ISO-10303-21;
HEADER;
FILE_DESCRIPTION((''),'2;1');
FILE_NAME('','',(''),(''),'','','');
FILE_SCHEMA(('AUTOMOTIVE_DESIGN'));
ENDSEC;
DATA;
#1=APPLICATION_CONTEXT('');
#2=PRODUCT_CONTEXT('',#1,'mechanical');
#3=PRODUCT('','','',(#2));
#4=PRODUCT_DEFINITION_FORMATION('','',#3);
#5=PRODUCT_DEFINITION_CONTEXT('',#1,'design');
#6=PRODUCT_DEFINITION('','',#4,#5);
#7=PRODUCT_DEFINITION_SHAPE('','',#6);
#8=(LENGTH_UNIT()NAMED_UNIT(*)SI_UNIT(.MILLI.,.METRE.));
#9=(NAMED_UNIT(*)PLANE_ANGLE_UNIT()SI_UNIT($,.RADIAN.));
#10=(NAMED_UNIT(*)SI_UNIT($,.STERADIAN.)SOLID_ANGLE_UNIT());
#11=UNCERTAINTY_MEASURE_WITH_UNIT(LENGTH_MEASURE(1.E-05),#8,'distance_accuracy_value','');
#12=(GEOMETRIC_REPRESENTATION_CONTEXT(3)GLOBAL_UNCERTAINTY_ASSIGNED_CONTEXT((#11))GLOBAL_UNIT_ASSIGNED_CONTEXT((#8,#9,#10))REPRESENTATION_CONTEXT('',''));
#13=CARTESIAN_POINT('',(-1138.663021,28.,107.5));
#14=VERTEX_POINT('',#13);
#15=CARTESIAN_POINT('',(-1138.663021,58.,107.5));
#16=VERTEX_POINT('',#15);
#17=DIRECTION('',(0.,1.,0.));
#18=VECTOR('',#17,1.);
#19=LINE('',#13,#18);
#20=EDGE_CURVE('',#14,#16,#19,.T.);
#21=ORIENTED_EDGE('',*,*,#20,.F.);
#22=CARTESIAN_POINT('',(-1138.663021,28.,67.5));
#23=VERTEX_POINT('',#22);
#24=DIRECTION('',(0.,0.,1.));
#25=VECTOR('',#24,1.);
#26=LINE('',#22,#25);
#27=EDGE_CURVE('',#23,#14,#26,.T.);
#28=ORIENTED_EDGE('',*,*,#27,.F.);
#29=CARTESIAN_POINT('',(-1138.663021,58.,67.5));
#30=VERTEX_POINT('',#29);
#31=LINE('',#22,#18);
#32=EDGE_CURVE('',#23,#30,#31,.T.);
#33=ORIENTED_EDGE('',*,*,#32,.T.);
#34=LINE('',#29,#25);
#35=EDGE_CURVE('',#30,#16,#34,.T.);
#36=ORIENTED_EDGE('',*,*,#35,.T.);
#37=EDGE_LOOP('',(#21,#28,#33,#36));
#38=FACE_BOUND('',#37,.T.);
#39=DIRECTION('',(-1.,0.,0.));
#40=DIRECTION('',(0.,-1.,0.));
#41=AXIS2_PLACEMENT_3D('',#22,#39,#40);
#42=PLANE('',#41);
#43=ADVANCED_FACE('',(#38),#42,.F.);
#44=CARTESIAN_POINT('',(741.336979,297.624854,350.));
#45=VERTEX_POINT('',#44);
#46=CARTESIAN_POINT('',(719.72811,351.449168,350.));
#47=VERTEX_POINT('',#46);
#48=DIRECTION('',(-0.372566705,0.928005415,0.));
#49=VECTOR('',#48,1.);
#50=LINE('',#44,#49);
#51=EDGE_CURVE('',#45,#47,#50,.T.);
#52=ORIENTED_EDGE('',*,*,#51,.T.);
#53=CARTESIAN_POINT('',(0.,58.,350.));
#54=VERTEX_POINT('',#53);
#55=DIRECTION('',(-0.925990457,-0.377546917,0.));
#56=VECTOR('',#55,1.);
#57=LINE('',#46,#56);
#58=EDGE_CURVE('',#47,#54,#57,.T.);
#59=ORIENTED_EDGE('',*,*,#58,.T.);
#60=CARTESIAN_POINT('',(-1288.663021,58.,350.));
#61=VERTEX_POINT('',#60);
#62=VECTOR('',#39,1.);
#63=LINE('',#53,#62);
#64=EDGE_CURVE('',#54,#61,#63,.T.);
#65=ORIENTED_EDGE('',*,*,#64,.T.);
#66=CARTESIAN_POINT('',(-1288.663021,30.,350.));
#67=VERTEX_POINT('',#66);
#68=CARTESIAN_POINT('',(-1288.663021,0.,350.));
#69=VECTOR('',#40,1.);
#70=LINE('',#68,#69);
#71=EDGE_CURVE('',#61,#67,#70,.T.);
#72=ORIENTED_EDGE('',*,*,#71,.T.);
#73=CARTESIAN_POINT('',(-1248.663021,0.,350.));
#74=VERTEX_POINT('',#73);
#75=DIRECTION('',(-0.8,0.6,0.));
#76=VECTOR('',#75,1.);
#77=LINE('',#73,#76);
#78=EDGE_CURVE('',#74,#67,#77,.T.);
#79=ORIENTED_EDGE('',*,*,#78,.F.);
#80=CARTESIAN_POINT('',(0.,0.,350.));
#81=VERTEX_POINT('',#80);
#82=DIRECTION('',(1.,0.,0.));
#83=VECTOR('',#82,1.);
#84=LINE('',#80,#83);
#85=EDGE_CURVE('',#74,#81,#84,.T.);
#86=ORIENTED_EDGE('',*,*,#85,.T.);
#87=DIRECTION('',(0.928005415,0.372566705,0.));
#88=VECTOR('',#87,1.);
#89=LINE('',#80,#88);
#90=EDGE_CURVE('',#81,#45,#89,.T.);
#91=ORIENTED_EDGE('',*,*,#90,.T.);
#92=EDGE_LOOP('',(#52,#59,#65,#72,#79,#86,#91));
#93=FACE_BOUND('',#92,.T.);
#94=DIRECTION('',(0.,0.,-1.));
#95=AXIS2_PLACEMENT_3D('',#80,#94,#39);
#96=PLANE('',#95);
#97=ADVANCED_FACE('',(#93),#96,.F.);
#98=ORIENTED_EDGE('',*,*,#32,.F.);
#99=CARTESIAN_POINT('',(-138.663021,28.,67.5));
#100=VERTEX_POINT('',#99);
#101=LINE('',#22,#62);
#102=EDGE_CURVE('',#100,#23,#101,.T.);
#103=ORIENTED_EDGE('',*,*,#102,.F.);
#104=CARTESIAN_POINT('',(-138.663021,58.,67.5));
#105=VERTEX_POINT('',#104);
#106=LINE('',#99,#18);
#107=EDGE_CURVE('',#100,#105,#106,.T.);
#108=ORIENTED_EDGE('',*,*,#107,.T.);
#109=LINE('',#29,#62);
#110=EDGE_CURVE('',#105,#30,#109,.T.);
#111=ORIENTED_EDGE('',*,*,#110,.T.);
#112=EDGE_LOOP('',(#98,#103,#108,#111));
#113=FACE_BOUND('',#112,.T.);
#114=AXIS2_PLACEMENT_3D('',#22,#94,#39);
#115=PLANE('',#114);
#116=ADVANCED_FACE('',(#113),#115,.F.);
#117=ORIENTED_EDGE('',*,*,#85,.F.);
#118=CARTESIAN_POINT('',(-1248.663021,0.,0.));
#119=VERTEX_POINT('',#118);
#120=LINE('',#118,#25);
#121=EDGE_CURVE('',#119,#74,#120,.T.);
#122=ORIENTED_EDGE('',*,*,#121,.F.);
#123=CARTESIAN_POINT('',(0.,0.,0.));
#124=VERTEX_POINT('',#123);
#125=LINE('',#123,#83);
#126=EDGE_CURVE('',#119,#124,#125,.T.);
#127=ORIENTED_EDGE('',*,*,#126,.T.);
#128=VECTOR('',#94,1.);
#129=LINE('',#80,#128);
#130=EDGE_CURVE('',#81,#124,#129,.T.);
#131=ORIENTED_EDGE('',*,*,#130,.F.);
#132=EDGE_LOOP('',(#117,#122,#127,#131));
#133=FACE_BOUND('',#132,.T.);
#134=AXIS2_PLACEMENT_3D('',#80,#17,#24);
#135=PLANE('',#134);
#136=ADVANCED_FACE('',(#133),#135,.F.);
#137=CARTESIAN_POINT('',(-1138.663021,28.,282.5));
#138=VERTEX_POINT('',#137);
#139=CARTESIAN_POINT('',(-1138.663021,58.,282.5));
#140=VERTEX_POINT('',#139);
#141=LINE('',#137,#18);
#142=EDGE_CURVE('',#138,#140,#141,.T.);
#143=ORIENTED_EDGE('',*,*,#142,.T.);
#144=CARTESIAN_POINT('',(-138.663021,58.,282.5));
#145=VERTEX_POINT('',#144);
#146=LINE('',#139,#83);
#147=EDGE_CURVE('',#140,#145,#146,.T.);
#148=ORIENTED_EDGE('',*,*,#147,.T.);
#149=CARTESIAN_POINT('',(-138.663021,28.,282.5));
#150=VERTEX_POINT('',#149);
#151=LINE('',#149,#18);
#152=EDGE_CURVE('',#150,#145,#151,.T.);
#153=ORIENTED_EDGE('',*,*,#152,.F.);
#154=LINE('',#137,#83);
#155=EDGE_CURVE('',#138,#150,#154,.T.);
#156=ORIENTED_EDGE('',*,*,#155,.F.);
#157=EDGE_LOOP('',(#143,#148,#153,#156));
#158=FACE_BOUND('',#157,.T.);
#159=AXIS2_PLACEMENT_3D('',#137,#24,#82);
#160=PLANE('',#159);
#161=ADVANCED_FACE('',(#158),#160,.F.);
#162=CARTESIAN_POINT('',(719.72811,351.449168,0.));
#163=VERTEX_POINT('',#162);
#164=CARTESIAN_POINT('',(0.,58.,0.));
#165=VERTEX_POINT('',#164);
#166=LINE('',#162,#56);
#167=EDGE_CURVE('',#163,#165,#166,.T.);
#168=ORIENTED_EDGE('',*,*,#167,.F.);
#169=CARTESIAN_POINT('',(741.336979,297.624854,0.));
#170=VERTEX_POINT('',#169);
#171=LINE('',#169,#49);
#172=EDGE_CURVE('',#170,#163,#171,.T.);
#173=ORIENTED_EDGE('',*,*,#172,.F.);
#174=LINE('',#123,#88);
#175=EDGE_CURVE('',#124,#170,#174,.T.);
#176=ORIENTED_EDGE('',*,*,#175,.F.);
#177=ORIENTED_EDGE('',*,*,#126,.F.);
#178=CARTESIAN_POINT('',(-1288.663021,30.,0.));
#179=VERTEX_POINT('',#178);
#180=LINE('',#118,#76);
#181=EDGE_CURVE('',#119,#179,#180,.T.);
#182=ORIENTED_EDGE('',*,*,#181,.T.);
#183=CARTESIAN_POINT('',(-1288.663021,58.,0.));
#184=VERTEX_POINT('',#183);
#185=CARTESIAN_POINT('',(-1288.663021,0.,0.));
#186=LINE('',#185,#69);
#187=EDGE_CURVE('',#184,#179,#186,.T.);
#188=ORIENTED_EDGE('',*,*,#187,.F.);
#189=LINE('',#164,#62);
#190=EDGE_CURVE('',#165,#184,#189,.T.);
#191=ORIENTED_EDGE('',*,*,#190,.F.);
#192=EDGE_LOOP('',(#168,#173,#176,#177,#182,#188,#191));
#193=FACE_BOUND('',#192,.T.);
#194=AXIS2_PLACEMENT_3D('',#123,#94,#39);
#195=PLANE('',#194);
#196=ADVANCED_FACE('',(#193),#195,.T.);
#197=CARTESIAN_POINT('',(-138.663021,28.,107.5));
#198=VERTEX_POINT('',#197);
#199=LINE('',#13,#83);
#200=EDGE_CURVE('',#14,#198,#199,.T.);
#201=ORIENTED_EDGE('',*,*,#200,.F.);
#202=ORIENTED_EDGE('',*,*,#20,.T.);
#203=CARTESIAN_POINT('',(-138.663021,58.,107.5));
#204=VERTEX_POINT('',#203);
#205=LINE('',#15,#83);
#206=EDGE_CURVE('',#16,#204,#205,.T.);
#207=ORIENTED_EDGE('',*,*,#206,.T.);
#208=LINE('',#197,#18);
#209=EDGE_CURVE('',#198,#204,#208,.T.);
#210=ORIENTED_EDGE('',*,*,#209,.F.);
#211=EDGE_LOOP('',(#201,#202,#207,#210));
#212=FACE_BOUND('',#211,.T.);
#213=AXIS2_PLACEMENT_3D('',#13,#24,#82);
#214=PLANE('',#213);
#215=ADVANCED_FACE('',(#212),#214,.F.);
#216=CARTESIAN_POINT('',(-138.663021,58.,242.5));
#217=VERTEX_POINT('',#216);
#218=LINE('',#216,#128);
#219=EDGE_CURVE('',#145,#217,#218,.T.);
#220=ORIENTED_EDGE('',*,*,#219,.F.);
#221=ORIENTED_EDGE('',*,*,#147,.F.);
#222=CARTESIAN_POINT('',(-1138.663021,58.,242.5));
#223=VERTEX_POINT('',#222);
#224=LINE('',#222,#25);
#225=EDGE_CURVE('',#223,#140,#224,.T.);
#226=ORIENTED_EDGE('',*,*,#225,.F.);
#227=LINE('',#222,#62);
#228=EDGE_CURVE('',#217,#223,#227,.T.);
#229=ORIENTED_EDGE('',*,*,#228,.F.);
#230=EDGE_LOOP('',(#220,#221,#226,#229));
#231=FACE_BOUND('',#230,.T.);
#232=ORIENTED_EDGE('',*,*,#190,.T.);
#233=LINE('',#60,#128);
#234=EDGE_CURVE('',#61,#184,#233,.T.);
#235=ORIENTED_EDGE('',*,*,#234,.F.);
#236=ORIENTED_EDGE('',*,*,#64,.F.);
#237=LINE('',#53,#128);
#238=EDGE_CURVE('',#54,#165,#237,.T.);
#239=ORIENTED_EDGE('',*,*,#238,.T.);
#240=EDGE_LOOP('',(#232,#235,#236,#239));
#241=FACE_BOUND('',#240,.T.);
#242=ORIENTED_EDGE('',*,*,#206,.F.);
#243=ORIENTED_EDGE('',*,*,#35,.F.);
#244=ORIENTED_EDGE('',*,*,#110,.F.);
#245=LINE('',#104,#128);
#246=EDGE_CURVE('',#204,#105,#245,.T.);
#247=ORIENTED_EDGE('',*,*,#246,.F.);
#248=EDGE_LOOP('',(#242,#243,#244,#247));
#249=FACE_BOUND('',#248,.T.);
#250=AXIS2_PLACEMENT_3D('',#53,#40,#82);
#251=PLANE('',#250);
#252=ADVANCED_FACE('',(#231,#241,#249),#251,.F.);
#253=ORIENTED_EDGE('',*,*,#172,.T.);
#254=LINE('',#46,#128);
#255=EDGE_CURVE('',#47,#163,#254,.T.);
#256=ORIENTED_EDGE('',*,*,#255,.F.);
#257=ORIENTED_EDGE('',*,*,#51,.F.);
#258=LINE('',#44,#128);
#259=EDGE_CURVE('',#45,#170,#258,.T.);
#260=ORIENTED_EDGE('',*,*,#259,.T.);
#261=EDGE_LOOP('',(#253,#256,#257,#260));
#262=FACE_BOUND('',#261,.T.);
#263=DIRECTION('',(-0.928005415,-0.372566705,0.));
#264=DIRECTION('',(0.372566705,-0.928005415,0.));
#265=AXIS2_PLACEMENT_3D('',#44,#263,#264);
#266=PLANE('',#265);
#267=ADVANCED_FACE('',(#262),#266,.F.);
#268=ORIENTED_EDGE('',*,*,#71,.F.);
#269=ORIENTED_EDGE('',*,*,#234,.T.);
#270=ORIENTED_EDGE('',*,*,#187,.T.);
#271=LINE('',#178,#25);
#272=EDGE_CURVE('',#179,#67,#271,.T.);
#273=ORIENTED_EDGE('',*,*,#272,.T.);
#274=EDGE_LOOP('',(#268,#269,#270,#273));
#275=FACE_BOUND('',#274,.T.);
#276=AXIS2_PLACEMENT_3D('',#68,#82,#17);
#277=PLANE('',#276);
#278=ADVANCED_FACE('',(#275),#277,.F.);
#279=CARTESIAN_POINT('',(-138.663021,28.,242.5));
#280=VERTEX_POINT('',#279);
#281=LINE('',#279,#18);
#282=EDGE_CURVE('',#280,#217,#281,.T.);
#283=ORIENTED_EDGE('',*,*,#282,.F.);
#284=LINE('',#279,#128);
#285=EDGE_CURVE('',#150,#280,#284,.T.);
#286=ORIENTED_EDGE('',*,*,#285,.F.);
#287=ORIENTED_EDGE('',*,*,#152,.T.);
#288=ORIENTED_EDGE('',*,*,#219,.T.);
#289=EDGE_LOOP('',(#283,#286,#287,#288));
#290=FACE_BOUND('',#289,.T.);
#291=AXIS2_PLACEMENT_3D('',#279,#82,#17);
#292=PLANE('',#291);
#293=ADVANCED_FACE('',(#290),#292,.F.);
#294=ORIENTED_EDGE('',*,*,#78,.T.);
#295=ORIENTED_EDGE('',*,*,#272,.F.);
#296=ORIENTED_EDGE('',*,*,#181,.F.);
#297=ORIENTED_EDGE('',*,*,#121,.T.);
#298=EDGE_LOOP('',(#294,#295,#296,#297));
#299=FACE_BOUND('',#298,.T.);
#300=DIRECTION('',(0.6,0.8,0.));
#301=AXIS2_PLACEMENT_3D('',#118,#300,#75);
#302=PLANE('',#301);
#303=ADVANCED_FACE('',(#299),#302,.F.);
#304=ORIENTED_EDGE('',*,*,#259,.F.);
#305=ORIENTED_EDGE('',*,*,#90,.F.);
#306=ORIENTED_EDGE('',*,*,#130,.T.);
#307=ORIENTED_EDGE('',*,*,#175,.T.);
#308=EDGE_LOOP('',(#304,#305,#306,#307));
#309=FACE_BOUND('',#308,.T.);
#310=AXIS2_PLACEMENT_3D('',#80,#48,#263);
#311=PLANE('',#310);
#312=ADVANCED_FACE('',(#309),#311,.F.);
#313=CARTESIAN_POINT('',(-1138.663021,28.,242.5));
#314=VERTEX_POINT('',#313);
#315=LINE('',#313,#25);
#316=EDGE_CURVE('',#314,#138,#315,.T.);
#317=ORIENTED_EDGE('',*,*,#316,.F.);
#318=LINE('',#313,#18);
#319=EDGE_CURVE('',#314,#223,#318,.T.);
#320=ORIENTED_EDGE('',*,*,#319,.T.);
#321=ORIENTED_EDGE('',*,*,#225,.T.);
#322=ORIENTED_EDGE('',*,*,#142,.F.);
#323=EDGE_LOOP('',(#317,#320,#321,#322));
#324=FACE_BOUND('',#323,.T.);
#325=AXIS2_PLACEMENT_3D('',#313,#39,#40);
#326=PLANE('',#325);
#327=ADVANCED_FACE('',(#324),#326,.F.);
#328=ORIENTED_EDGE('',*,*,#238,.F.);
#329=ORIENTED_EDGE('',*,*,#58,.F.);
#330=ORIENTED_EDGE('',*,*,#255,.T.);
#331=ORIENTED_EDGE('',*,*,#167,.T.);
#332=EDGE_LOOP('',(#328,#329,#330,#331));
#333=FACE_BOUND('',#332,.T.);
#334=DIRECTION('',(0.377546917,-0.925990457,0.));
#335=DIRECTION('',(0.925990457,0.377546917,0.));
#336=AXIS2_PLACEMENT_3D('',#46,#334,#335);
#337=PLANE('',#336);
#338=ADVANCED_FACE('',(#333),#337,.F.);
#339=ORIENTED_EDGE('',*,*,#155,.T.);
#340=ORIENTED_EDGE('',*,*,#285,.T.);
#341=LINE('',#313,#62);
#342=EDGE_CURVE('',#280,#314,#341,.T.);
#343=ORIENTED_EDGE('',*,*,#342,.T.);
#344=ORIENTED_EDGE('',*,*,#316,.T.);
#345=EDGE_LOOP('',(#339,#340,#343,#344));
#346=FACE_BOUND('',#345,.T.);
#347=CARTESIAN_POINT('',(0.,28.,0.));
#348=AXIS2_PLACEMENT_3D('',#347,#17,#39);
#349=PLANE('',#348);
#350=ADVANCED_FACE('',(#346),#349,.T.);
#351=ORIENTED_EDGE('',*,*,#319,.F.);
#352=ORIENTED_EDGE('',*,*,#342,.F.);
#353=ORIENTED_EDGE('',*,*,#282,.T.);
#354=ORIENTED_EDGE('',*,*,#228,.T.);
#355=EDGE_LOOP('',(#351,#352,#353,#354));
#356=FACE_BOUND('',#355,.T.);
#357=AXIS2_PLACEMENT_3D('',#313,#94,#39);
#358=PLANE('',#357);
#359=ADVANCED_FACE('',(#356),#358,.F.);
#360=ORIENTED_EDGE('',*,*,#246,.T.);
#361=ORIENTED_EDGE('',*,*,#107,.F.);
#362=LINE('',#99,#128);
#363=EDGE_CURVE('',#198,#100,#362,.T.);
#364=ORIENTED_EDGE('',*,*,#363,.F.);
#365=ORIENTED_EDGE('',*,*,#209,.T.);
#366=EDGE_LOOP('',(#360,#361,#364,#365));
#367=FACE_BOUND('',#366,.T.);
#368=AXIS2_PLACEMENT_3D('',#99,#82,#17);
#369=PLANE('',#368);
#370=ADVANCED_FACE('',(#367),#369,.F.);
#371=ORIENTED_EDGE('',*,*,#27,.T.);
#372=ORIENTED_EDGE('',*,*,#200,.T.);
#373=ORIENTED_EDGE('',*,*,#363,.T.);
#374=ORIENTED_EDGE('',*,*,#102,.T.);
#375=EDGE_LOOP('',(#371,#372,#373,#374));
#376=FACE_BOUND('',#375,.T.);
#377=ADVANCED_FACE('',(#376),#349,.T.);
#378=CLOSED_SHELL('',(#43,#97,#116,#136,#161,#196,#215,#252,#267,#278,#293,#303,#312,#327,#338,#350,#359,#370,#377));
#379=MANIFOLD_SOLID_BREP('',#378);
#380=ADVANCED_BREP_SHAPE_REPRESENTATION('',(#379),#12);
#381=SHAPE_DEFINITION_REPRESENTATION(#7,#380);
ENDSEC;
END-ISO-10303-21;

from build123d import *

# Parameters (mm, degrees)
SALIENTE_EXTRUIR2_DEPTH = 350
CORTAR_EXTRUIR1_DEPTH   = 350
CROQUIS4_W              = 1000
CROQUIS4_H              = 40
CORTAR_EXTRUIR2_DEPTH   = 30


with BuildPart() as part:
    # Croquis2 → Saliente-Extruir2 (new body)
    with BuildSketch(Plane.XY):
        Polygon((0, 0), (741.33697933, 297.624853905), (719.728110413, 351.449167966), (0, 58), (-1288.66302067, 58), (-1288.66302067, 0), align=None)
    extrude(amount=SALIENTE_EXTRUIR2_DEPTH)

    # Croquis3 → Cortar-Extruir1 (cut)
    with BuildSketch(Plane.XY.offset(350)):
        Polygon((-1288.66302067, 30), (-1288.66302067, 0), (-1248.66302067, 0), align=None)
    extrude(amount=-CORTAR_EXTRUIR1_DEPTH, mode=Mode.SUBTRACT)

    # Croquis4 → Cortar-Extruir2 (cut)
    with BuildSketch(Plane(origin=(0, 58, 0), x_dir=(1, 0, 0), z_dir=(0, 1, 0))):
        with Locations((-638.66302067, -87.5)):
            Rectangle(CROQUIS4_W, CROQUIS4_H)
        with Locations((-638.66302067, -262.5)):
            Rectangle(CROQUIS4_W, CROQUIS4_H)
    extrude(amount=-CORTAR_EXTRUIR2_DEPTH, mode=Mode.SUBTRACT)


solid = part.part
